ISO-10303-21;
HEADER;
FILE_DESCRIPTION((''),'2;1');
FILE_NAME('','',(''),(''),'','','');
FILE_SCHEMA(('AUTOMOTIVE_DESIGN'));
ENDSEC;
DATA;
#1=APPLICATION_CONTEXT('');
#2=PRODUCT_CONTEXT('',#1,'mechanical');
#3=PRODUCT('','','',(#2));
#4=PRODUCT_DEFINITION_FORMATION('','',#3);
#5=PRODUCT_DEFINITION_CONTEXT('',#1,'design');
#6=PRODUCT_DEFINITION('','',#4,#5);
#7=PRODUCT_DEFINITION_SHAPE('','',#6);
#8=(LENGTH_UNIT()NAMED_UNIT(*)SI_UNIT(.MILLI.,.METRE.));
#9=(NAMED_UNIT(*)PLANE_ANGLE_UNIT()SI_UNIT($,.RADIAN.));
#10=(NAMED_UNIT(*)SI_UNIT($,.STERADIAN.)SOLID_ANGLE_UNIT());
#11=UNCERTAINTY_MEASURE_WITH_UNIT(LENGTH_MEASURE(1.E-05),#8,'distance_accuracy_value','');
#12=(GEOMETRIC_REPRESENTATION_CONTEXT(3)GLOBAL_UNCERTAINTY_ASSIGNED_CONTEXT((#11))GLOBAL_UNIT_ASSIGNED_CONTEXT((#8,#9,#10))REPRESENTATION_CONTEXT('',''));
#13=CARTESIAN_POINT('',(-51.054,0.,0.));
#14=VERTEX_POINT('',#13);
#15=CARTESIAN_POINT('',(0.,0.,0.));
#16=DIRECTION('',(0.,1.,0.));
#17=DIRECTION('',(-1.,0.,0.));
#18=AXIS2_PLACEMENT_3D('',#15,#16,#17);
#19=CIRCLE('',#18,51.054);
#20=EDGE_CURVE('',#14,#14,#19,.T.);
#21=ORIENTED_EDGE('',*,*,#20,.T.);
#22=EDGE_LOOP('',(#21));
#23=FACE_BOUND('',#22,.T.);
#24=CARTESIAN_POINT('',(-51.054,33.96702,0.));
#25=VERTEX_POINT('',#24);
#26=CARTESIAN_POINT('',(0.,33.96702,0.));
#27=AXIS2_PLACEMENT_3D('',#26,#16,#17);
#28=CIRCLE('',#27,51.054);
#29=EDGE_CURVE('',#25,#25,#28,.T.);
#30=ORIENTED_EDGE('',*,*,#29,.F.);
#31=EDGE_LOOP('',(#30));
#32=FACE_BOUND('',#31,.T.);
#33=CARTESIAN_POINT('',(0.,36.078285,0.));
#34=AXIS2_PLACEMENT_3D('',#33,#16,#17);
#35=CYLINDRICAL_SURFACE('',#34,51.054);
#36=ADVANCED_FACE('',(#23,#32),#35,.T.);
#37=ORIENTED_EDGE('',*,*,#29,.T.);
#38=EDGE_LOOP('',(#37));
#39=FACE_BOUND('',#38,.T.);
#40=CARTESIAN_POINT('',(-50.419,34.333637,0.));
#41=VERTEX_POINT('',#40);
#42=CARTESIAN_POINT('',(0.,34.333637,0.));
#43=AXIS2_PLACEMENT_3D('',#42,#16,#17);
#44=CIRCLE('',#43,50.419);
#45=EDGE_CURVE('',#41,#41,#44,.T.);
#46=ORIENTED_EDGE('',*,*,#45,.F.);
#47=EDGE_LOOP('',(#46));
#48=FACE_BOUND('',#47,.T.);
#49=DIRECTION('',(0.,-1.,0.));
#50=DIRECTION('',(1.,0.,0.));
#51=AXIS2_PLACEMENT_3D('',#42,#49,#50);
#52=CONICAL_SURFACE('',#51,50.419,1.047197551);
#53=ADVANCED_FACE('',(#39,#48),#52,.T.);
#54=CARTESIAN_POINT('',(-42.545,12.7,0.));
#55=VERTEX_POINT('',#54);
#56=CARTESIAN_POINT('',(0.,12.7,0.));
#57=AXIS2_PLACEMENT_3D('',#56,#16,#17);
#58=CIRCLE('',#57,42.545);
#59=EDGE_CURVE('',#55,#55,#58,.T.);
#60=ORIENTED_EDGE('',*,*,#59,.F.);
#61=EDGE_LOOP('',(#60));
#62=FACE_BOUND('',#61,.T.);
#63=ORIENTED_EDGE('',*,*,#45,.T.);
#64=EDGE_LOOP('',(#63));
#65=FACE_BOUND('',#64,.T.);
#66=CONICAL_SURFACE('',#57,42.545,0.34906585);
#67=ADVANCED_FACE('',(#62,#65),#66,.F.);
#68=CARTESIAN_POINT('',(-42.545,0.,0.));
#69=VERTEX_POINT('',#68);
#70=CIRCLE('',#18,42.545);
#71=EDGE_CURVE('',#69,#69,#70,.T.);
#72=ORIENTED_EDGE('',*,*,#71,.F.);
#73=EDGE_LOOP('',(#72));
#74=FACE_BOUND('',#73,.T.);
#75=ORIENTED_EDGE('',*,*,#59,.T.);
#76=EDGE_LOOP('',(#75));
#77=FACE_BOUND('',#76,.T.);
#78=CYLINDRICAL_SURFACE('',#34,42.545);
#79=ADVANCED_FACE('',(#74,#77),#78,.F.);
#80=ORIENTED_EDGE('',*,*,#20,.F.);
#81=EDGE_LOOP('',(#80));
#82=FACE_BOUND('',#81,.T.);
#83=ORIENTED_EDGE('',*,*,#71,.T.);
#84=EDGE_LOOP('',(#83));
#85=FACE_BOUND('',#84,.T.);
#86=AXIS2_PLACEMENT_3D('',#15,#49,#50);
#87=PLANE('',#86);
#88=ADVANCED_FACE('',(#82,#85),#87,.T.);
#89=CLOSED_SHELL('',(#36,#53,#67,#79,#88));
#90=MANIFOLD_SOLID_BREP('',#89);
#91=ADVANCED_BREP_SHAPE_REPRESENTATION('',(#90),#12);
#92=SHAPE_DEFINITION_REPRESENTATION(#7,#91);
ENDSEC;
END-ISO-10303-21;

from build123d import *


with BuildPart() as part:
    # Sketch1 → Revolve1 (revolve)
    with BuildSketch(Plane.XY, mode=Mode.PRIVATE) as revolve1_sk:
        Polygon((42.545, 12.7), (50.419, 34.333637201), (51.054, 33.96701978), (51.054, 0), (42.545, 0), align=None)
    revolve(revolve1_sk.sketch.rotate(Axis((0, 36.078285362, 0), (0, -1, 0)), 180), axis=Axis((0, 36.078285362, 0), (0, -1, 0)))


solid = part.part
